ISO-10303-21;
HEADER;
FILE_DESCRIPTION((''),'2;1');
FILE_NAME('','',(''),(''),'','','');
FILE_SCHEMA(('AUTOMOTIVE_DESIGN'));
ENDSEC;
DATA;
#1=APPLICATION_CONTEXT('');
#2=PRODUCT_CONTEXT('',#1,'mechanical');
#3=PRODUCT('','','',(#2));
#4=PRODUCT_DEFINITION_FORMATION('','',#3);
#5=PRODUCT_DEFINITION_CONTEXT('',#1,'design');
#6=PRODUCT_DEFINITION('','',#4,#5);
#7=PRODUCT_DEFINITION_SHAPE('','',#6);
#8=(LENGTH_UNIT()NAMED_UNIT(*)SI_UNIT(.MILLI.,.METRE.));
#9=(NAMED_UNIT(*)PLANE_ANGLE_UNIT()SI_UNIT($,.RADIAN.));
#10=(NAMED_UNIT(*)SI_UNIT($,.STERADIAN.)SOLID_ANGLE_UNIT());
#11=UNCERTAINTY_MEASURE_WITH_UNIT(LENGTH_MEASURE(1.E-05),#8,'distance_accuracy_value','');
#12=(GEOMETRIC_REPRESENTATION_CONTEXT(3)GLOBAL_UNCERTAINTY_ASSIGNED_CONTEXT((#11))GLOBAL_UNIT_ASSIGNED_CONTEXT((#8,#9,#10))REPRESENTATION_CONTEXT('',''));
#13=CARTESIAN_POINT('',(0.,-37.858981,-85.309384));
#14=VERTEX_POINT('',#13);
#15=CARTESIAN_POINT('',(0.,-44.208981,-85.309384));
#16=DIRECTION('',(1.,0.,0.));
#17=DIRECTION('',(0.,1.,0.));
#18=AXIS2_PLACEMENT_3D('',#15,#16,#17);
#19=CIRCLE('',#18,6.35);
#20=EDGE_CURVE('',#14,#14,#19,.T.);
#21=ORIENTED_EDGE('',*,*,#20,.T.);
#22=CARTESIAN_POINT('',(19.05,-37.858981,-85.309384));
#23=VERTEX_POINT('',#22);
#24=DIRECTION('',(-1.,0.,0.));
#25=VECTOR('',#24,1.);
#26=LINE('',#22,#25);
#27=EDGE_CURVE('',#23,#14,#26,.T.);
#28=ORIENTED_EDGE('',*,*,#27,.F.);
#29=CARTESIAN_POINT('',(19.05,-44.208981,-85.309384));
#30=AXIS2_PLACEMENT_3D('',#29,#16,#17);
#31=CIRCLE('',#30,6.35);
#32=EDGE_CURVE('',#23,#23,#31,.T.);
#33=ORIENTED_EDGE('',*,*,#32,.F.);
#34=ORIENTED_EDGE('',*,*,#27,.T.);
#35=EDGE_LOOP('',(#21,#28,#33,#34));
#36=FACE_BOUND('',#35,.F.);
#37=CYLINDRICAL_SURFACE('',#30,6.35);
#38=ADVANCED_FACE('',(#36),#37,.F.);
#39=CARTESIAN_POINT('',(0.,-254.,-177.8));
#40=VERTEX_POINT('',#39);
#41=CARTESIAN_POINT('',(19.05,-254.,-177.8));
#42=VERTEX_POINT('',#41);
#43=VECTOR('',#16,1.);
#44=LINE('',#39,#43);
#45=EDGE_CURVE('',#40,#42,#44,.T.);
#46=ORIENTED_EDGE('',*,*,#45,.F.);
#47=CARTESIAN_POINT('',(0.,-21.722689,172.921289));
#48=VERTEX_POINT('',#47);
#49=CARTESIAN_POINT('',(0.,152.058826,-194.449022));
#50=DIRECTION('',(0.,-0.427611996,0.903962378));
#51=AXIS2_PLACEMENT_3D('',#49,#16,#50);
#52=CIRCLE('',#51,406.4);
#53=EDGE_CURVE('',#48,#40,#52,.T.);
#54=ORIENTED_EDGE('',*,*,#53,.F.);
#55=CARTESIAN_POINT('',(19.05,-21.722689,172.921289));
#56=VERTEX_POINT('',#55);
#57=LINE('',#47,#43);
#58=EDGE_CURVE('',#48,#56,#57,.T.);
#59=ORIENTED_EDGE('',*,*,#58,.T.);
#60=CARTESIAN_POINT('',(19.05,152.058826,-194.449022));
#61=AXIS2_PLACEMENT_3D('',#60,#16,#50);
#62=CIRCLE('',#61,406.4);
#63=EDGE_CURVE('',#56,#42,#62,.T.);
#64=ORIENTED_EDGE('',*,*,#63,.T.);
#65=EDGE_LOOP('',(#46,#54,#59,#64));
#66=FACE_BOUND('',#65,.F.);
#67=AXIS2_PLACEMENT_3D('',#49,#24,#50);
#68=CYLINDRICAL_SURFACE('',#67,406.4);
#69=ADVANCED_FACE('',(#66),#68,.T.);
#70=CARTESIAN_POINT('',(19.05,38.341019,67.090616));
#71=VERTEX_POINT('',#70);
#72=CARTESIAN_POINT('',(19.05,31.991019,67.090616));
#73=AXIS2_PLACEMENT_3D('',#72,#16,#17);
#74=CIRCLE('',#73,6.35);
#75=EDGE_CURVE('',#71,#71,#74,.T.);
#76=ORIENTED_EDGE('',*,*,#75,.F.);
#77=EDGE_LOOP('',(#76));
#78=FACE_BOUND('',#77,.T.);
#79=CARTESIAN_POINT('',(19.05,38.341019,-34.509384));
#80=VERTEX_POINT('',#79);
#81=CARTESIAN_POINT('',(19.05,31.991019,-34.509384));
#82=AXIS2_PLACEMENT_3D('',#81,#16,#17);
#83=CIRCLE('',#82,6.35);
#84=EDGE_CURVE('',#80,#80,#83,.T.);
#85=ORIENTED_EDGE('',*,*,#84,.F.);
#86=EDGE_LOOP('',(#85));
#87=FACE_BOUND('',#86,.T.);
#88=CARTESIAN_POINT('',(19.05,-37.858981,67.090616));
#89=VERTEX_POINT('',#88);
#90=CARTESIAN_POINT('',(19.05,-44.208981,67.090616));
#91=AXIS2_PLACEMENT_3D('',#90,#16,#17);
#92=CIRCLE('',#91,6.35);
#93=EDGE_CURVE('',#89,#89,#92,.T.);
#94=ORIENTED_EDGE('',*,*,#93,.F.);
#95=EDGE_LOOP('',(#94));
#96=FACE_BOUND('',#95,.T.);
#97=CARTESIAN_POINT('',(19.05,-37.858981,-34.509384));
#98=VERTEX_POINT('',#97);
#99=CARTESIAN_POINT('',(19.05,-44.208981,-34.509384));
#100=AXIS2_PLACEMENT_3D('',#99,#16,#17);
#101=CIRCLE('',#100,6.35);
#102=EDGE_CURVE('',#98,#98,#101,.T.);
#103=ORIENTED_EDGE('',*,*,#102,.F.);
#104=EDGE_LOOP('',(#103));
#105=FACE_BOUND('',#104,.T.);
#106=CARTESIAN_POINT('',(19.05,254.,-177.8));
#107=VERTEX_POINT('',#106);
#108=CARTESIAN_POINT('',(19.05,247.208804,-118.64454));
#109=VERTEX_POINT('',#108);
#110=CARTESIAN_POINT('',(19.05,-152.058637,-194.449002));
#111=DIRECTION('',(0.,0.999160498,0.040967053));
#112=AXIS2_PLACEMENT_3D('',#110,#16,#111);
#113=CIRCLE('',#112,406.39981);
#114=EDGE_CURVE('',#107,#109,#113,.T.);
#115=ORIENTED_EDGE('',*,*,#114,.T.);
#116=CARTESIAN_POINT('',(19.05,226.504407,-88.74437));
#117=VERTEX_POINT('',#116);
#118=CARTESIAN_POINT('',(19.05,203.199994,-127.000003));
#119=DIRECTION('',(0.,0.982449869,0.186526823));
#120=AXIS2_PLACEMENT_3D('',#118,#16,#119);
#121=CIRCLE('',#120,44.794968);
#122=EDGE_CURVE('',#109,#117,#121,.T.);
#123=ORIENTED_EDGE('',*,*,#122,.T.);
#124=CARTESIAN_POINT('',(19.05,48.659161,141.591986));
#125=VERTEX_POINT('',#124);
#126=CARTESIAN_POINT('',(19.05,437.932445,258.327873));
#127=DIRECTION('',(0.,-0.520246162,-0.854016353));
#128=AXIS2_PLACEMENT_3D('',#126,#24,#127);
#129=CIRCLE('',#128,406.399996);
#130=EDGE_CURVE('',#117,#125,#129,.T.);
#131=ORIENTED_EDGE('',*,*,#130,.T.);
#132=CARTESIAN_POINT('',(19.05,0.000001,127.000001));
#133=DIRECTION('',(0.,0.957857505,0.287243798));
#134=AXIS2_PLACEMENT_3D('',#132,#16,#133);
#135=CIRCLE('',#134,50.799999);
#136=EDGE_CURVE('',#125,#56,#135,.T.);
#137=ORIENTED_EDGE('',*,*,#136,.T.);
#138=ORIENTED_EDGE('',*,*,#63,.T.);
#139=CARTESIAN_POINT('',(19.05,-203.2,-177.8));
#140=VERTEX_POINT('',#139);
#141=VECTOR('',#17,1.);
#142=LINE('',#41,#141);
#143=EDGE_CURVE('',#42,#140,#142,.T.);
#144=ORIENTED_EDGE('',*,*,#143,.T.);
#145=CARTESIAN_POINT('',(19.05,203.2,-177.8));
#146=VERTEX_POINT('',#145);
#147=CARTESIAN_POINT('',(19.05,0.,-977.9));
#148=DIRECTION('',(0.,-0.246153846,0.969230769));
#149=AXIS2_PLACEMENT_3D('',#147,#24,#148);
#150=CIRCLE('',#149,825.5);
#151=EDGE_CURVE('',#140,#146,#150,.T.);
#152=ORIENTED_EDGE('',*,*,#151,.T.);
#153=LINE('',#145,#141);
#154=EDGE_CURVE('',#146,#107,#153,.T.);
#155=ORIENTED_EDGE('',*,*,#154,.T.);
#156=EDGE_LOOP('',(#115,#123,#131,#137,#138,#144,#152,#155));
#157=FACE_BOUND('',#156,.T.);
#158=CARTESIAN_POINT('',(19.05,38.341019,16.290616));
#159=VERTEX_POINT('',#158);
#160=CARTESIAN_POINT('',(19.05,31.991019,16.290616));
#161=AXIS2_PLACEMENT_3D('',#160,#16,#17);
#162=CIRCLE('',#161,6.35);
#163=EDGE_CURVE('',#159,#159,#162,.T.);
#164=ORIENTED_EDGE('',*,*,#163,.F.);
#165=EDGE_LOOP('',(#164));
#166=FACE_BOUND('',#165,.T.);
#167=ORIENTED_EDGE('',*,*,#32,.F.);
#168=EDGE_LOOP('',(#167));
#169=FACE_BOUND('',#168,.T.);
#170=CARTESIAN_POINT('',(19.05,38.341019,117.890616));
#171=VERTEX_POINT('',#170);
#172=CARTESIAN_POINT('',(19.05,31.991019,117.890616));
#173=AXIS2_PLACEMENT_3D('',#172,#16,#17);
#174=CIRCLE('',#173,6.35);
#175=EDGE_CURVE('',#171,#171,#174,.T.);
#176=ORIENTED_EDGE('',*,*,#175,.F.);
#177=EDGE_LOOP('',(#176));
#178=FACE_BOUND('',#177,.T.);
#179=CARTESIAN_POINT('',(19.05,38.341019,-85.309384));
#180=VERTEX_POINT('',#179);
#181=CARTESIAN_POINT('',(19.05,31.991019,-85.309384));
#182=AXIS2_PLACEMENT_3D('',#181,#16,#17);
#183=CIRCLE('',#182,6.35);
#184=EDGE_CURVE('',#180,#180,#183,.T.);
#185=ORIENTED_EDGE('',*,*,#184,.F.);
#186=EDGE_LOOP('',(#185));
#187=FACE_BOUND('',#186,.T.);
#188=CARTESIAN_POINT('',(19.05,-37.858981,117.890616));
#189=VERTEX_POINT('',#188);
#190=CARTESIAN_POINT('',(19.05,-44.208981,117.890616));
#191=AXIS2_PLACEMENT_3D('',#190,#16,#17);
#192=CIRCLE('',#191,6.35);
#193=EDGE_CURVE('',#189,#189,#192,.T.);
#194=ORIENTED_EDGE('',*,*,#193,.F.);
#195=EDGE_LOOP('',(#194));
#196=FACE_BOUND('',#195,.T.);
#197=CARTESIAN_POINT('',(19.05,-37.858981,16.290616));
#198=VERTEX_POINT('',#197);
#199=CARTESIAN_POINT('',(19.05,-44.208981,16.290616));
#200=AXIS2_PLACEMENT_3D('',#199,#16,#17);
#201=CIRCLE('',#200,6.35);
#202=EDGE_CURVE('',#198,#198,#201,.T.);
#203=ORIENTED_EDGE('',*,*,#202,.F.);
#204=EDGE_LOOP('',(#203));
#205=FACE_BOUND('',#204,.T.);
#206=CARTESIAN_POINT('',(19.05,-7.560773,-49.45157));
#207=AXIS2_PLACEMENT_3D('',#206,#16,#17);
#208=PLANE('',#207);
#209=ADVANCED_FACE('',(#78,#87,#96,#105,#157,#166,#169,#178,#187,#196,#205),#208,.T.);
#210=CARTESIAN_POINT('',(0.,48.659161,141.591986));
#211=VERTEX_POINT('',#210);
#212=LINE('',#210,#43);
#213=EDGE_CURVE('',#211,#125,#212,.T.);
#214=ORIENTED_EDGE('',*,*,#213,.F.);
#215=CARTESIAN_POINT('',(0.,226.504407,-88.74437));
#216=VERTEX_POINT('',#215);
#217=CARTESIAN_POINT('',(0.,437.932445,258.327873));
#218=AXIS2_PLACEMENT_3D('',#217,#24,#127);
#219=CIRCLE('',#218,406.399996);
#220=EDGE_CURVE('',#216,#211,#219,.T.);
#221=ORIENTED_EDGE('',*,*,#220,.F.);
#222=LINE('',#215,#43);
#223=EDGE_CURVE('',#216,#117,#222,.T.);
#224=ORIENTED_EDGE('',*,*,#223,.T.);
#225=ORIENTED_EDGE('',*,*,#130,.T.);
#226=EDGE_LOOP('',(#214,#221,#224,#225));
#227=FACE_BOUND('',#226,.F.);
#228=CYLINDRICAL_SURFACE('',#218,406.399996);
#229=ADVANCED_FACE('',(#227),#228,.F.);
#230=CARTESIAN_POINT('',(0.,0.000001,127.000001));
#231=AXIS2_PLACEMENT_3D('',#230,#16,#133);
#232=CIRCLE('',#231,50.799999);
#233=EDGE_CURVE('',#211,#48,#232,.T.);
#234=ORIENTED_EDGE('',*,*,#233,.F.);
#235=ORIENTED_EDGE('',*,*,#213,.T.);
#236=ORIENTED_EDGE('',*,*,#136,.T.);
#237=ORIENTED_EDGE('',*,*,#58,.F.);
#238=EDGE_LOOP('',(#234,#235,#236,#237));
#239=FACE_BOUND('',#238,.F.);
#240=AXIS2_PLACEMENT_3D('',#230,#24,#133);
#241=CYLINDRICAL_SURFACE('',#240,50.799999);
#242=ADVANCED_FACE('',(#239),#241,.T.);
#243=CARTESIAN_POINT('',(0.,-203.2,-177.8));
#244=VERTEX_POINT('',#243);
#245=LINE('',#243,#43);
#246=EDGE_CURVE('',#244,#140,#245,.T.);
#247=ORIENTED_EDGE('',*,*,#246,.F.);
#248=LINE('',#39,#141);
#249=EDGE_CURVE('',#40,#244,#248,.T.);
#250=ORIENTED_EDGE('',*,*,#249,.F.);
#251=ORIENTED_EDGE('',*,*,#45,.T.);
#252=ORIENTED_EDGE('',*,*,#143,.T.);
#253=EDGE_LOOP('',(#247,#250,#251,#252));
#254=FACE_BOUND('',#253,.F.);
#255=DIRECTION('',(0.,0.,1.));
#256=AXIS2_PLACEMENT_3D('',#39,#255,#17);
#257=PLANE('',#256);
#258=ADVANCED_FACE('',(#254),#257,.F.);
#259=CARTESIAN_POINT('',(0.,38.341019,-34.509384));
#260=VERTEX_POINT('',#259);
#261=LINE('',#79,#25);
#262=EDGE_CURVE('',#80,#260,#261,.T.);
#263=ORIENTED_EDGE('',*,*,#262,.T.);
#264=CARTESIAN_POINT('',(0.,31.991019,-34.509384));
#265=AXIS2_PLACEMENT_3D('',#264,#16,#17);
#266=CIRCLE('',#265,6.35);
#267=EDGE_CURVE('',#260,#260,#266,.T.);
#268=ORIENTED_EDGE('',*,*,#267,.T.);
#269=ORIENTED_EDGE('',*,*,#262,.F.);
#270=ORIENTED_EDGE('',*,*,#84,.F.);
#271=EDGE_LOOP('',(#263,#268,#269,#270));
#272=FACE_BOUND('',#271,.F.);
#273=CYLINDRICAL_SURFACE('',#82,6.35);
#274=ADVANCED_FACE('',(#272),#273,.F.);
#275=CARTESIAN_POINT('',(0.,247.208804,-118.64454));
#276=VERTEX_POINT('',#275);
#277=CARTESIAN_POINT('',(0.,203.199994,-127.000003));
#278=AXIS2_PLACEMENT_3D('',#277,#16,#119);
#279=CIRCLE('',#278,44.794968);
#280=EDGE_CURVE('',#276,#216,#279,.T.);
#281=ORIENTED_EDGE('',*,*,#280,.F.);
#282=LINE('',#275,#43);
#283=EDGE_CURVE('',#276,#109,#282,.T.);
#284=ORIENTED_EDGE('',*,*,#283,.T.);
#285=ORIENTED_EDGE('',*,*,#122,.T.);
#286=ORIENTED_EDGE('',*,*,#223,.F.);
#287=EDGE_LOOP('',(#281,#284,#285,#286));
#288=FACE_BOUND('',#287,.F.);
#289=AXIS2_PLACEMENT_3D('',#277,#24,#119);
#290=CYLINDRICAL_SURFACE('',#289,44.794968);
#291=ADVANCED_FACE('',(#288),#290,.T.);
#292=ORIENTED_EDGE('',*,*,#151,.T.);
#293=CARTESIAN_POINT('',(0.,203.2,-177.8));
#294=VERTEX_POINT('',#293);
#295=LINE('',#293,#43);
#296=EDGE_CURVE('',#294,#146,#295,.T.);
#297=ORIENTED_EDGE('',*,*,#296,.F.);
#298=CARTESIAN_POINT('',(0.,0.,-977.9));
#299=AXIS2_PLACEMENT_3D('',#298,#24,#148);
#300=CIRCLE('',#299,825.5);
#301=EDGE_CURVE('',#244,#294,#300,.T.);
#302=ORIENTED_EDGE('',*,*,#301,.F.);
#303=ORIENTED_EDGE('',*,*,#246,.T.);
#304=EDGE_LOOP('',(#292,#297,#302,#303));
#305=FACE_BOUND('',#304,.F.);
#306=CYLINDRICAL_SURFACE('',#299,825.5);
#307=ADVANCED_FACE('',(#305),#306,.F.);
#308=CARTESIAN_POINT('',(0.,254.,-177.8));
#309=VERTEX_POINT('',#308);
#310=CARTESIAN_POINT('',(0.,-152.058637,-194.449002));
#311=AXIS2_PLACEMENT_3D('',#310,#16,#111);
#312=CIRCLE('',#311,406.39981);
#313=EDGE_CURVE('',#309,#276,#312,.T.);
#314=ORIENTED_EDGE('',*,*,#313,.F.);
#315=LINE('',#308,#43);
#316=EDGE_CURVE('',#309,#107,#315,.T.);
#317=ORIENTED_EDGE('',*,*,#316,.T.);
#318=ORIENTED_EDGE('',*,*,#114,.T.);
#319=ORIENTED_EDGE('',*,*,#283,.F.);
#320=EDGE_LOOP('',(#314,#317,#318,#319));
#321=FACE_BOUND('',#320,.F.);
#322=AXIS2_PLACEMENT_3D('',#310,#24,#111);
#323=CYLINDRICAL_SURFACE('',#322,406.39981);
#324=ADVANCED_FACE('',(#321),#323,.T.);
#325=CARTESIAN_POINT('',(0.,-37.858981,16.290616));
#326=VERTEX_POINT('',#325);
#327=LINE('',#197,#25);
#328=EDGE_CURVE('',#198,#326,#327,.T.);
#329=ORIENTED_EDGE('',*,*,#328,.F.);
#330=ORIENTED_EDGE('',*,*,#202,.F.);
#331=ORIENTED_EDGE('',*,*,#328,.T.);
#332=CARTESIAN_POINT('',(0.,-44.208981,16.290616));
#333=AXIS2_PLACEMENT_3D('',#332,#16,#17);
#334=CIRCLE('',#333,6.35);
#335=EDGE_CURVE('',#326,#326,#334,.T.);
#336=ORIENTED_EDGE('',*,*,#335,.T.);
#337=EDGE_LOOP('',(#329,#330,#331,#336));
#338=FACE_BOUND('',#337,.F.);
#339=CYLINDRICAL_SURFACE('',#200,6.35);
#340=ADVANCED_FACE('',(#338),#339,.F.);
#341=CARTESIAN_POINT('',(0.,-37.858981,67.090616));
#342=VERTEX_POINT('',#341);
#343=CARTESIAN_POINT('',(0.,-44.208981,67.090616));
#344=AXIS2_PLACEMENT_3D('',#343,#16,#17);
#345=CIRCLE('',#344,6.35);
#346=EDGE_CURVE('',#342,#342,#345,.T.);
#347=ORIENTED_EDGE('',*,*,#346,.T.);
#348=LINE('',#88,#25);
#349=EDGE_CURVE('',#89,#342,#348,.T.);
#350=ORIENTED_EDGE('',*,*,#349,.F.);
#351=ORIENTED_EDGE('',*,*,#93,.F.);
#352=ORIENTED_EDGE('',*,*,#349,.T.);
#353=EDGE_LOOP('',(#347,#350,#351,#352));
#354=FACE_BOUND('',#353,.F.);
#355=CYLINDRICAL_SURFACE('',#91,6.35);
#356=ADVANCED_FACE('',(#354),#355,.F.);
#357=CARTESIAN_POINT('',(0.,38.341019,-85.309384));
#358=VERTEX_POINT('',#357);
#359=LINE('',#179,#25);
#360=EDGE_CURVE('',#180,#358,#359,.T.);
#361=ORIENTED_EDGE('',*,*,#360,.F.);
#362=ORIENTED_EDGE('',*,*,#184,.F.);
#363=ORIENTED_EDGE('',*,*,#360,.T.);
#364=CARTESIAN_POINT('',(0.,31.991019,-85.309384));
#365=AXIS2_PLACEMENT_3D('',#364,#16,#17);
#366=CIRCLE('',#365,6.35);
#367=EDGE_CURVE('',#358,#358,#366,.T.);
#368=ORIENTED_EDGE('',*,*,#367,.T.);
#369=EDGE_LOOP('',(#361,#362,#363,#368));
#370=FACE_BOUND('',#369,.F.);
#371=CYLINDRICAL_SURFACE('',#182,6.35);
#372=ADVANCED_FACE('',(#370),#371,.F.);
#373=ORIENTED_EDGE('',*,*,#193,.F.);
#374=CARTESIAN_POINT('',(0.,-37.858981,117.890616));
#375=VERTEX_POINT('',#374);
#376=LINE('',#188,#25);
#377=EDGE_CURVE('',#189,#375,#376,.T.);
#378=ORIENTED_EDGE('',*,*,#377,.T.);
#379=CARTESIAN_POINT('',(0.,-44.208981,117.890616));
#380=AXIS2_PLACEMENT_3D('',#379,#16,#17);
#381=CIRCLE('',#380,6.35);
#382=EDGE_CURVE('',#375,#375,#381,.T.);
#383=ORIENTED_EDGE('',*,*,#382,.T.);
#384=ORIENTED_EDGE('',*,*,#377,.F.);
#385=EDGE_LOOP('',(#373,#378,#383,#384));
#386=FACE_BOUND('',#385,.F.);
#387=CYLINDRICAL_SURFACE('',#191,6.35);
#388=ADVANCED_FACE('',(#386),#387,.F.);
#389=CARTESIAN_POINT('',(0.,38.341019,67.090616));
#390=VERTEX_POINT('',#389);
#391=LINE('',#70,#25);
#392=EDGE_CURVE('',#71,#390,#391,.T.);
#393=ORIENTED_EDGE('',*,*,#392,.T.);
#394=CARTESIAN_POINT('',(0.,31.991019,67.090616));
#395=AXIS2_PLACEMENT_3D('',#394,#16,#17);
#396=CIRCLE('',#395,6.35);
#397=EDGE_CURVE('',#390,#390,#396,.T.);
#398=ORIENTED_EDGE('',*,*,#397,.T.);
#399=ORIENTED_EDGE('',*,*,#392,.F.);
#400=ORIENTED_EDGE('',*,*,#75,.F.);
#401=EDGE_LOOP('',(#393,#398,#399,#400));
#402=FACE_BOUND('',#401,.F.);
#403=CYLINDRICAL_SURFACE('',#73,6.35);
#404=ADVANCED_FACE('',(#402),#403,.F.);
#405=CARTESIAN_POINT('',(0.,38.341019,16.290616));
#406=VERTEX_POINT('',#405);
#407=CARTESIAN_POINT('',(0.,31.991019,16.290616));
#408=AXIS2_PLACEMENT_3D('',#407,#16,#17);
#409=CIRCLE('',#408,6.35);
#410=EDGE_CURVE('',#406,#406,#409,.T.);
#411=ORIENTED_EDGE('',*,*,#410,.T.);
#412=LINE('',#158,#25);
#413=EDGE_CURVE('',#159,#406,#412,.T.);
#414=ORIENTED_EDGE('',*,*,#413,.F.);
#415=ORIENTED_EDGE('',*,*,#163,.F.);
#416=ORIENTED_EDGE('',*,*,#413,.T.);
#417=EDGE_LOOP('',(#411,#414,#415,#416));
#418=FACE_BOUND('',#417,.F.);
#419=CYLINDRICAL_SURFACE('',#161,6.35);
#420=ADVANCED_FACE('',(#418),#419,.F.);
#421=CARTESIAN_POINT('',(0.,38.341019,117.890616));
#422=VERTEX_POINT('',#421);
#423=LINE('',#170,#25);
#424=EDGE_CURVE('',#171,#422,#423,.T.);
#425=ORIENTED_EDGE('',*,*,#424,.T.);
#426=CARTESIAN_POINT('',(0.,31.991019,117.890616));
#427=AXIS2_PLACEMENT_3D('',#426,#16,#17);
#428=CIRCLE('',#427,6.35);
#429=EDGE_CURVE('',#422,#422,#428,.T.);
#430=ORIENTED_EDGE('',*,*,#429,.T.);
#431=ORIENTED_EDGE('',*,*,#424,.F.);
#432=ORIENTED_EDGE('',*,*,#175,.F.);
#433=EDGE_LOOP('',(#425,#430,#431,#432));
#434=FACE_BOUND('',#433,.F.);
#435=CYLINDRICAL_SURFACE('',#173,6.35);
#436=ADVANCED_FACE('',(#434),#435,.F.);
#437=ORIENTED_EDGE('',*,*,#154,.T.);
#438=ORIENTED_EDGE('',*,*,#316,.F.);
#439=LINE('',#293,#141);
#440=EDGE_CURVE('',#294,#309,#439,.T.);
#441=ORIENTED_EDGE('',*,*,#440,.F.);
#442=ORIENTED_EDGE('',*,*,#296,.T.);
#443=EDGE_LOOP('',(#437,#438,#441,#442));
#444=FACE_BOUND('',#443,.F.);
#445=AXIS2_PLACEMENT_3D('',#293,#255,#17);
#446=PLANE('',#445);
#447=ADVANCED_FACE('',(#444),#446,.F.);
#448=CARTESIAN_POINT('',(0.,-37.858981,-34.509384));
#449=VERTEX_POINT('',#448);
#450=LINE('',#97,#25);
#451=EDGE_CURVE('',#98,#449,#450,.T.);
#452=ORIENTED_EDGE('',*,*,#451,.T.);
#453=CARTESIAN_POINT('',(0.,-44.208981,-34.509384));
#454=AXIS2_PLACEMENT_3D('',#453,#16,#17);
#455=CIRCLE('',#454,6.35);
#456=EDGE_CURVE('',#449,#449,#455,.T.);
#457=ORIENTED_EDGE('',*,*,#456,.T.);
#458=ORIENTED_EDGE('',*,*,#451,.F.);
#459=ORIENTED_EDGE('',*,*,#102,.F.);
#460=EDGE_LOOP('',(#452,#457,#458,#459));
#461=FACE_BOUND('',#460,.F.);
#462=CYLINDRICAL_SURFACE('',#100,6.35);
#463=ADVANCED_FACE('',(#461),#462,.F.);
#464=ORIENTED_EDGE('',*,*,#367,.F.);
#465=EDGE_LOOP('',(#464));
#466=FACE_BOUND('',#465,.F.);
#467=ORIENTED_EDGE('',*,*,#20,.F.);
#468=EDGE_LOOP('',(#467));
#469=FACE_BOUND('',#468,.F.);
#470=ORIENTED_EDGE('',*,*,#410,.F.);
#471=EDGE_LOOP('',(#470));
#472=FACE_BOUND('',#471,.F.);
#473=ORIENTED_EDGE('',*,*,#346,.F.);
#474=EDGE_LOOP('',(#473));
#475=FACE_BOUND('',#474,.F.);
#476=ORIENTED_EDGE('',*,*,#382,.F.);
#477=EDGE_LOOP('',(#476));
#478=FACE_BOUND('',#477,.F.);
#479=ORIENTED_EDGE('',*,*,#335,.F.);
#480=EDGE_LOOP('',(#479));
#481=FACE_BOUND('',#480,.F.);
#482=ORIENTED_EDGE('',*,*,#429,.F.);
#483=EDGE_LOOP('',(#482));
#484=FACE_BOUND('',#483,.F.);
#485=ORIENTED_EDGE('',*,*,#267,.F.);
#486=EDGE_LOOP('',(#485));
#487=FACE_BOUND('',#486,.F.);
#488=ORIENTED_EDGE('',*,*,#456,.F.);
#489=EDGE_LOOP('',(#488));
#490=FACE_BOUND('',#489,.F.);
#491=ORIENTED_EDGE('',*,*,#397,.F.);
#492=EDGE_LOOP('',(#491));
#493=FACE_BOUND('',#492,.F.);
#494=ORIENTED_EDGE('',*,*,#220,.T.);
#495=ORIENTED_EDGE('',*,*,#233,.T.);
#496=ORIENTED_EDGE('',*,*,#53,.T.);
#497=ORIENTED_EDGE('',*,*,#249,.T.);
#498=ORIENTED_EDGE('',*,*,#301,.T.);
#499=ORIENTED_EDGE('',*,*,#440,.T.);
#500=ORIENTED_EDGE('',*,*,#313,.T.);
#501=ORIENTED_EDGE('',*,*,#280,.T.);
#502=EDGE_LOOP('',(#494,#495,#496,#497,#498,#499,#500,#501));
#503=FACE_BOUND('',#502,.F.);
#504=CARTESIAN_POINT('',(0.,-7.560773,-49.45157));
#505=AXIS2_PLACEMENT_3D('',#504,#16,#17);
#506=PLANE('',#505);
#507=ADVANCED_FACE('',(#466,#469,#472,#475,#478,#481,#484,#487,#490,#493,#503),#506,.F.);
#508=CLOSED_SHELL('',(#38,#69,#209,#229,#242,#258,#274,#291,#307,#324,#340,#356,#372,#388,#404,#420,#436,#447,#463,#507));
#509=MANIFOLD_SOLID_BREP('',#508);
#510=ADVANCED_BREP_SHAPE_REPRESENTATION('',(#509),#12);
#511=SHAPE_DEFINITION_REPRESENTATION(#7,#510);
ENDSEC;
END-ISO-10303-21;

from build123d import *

# Parameters (mm, degrees)
F1_DEPTH = 19.05
F2_R     = 6.35
F3_DEPTH = 19.051


with BuildPart() as f1:
    # F0 (on Right) → F1 (new body)
    with BuildSketch(Plane.YZ):
        with BuildLine():
            ThreePointArc((-21.722689, 172.921289), (-186.770129, 29.95218), (-254, -177.8))
            Line((-254, -177.8), (-203.2, -177.8))
            ThreePointArc((-203.2, -177.8), (0, -152.4), (203.2, -177.8))
            Line((203.2, -177.8), (254, -177.8))
            ThreePointArc((254, -177.8), (251.689261, -148.097726), (247.208804, -118.64454))
            ThreePointArc((247.208804, -118.64454), (240.0276, -101.498698), (226.504407, -88.74437))
            ThreePointArc((226.504407, -88.74437), (116.258342, 9.959742), (48.659161, 141.591986))
            ThreePointArc((48.659161, 141.591986), (20.658526, 173.409755), (-21.722689, 172.921289))
        make_face()
    extrude(amount=F1_DEPTH)

    # F2 (on face) → F3 (cut, through all)
    with BuildSketch(Plane.YZ.offset(19.05)):
        with Locations((31.991019, -85.309384)):
            Circle(F2_R)
        with Locations((31.991019, -34.509384)):
            Circle(F2_R)
        with Locations((31.991019, 16.290616)):
            Circle(F2_R)
        with Locations((31.991019, 67.090616)):
            Circle(F2_R)
        with Locations((-44.208981, -85.309384)):
            Circle(F2_R)
        with Locations((-44.208981, -34.509384)):
            Circle(F2_R)
        with Locations((-44.208981, 16.290616)):
            Circle(F2_R)
        with Locations((-44.208981, 67.090616)):
            Circle(F2_R)
        with Locations((31.991019, 117.890616)):
            Circle(F2_R)
        with Locations((-44.208981, 117.890616)):
            Circle(F2_R)
    extrude(amount=-F3_DEPTH, mode=Mode.SUBTRACT)


solid = f1.part
